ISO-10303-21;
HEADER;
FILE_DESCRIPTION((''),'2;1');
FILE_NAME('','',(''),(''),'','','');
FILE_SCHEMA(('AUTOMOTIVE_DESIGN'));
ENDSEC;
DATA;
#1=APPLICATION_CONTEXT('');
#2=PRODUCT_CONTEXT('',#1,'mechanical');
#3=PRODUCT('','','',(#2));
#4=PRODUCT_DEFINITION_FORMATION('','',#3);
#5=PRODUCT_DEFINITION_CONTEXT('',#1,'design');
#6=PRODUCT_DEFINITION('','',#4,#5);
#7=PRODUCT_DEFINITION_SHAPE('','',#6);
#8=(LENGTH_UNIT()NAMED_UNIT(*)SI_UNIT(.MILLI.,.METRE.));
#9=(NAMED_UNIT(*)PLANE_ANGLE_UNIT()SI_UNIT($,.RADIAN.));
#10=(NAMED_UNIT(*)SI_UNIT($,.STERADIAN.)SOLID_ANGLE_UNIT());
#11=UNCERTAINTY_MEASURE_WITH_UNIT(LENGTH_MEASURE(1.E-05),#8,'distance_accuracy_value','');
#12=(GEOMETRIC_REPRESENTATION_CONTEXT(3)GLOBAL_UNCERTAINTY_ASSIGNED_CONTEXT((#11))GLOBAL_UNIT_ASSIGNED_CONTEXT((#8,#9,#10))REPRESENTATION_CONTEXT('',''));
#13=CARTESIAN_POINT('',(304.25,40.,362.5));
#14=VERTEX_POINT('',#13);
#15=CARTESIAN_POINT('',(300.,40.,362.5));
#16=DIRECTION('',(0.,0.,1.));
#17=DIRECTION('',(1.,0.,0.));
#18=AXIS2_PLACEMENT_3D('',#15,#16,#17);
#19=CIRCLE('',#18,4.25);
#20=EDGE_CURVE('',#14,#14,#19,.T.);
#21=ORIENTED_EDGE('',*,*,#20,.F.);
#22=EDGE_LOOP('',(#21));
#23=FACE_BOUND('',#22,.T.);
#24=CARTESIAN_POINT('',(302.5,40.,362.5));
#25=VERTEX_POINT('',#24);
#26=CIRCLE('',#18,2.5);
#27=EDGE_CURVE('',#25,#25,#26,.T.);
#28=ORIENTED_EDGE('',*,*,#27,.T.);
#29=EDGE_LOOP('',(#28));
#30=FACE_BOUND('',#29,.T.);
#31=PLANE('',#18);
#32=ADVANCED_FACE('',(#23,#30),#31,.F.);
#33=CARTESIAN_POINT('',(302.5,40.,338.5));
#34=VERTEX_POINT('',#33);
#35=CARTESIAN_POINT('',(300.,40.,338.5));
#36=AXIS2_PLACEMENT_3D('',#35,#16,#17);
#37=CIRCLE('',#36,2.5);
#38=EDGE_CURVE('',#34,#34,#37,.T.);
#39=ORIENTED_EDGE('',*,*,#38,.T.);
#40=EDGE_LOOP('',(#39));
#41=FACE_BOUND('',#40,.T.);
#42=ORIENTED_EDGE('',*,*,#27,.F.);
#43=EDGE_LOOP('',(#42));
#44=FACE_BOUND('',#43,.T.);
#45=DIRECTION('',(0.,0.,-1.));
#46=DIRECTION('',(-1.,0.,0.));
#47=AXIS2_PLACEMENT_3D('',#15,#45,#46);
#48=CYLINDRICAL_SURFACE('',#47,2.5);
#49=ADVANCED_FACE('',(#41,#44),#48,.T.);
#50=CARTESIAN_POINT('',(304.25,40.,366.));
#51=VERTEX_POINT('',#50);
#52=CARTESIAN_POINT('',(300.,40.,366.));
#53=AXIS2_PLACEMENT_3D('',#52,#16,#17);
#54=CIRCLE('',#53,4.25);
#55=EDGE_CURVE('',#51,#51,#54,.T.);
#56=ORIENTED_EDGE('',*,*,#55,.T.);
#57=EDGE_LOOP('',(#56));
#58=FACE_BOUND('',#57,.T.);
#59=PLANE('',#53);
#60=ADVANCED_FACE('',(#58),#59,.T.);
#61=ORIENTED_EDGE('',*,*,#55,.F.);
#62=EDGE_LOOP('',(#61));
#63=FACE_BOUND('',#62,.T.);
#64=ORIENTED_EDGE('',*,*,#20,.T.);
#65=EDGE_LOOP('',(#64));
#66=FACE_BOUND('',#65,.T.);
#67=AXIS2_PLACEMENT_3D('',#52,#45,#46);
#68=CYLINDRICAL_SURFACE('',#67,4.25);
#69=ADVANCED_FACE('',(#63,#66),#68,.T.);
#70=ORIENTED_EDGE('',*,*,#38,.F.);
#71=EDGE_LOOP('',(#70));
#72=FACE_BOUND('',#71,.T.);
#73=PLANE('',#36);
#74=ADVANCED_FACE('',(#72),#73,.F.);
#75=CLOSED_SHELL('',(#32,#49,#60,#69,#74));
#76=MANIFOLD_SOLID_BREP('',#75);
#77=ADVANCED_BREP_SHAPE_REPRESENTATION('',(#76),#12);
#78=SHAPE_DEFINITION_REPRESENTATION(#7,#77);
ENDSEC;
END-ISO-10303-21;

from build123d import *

# Parameters (mm, degrees)
SKETCH1_R           = 2.5
BOSS_EXTRUDE1_DEPTH = 24
SKETCH2_R           = 4.25
BOSS_EXTRUDE2_DEPTH = 3.5


with BuildPart() as part:
    # Sketch1 → Boss-Extrude1 (new body)
    with BuildSketch(Plane.XY.offset(338.5)):
        with Locations((300, 40)):
            Circle(SKETCH1_R)
    extrude(amount=BOSS_EXTRUDE1_DEPTH)

    # Sketch2 → Boss-Extrude2 (add)
    with BuildSketch(Plane.XY.offset(362.5)):
        with Locations((300, 40)):
            Circle(SKETCH2_R)
    extrude(amount=BOSS_EXTRUDE2_DEPTH)


solid = part.part
